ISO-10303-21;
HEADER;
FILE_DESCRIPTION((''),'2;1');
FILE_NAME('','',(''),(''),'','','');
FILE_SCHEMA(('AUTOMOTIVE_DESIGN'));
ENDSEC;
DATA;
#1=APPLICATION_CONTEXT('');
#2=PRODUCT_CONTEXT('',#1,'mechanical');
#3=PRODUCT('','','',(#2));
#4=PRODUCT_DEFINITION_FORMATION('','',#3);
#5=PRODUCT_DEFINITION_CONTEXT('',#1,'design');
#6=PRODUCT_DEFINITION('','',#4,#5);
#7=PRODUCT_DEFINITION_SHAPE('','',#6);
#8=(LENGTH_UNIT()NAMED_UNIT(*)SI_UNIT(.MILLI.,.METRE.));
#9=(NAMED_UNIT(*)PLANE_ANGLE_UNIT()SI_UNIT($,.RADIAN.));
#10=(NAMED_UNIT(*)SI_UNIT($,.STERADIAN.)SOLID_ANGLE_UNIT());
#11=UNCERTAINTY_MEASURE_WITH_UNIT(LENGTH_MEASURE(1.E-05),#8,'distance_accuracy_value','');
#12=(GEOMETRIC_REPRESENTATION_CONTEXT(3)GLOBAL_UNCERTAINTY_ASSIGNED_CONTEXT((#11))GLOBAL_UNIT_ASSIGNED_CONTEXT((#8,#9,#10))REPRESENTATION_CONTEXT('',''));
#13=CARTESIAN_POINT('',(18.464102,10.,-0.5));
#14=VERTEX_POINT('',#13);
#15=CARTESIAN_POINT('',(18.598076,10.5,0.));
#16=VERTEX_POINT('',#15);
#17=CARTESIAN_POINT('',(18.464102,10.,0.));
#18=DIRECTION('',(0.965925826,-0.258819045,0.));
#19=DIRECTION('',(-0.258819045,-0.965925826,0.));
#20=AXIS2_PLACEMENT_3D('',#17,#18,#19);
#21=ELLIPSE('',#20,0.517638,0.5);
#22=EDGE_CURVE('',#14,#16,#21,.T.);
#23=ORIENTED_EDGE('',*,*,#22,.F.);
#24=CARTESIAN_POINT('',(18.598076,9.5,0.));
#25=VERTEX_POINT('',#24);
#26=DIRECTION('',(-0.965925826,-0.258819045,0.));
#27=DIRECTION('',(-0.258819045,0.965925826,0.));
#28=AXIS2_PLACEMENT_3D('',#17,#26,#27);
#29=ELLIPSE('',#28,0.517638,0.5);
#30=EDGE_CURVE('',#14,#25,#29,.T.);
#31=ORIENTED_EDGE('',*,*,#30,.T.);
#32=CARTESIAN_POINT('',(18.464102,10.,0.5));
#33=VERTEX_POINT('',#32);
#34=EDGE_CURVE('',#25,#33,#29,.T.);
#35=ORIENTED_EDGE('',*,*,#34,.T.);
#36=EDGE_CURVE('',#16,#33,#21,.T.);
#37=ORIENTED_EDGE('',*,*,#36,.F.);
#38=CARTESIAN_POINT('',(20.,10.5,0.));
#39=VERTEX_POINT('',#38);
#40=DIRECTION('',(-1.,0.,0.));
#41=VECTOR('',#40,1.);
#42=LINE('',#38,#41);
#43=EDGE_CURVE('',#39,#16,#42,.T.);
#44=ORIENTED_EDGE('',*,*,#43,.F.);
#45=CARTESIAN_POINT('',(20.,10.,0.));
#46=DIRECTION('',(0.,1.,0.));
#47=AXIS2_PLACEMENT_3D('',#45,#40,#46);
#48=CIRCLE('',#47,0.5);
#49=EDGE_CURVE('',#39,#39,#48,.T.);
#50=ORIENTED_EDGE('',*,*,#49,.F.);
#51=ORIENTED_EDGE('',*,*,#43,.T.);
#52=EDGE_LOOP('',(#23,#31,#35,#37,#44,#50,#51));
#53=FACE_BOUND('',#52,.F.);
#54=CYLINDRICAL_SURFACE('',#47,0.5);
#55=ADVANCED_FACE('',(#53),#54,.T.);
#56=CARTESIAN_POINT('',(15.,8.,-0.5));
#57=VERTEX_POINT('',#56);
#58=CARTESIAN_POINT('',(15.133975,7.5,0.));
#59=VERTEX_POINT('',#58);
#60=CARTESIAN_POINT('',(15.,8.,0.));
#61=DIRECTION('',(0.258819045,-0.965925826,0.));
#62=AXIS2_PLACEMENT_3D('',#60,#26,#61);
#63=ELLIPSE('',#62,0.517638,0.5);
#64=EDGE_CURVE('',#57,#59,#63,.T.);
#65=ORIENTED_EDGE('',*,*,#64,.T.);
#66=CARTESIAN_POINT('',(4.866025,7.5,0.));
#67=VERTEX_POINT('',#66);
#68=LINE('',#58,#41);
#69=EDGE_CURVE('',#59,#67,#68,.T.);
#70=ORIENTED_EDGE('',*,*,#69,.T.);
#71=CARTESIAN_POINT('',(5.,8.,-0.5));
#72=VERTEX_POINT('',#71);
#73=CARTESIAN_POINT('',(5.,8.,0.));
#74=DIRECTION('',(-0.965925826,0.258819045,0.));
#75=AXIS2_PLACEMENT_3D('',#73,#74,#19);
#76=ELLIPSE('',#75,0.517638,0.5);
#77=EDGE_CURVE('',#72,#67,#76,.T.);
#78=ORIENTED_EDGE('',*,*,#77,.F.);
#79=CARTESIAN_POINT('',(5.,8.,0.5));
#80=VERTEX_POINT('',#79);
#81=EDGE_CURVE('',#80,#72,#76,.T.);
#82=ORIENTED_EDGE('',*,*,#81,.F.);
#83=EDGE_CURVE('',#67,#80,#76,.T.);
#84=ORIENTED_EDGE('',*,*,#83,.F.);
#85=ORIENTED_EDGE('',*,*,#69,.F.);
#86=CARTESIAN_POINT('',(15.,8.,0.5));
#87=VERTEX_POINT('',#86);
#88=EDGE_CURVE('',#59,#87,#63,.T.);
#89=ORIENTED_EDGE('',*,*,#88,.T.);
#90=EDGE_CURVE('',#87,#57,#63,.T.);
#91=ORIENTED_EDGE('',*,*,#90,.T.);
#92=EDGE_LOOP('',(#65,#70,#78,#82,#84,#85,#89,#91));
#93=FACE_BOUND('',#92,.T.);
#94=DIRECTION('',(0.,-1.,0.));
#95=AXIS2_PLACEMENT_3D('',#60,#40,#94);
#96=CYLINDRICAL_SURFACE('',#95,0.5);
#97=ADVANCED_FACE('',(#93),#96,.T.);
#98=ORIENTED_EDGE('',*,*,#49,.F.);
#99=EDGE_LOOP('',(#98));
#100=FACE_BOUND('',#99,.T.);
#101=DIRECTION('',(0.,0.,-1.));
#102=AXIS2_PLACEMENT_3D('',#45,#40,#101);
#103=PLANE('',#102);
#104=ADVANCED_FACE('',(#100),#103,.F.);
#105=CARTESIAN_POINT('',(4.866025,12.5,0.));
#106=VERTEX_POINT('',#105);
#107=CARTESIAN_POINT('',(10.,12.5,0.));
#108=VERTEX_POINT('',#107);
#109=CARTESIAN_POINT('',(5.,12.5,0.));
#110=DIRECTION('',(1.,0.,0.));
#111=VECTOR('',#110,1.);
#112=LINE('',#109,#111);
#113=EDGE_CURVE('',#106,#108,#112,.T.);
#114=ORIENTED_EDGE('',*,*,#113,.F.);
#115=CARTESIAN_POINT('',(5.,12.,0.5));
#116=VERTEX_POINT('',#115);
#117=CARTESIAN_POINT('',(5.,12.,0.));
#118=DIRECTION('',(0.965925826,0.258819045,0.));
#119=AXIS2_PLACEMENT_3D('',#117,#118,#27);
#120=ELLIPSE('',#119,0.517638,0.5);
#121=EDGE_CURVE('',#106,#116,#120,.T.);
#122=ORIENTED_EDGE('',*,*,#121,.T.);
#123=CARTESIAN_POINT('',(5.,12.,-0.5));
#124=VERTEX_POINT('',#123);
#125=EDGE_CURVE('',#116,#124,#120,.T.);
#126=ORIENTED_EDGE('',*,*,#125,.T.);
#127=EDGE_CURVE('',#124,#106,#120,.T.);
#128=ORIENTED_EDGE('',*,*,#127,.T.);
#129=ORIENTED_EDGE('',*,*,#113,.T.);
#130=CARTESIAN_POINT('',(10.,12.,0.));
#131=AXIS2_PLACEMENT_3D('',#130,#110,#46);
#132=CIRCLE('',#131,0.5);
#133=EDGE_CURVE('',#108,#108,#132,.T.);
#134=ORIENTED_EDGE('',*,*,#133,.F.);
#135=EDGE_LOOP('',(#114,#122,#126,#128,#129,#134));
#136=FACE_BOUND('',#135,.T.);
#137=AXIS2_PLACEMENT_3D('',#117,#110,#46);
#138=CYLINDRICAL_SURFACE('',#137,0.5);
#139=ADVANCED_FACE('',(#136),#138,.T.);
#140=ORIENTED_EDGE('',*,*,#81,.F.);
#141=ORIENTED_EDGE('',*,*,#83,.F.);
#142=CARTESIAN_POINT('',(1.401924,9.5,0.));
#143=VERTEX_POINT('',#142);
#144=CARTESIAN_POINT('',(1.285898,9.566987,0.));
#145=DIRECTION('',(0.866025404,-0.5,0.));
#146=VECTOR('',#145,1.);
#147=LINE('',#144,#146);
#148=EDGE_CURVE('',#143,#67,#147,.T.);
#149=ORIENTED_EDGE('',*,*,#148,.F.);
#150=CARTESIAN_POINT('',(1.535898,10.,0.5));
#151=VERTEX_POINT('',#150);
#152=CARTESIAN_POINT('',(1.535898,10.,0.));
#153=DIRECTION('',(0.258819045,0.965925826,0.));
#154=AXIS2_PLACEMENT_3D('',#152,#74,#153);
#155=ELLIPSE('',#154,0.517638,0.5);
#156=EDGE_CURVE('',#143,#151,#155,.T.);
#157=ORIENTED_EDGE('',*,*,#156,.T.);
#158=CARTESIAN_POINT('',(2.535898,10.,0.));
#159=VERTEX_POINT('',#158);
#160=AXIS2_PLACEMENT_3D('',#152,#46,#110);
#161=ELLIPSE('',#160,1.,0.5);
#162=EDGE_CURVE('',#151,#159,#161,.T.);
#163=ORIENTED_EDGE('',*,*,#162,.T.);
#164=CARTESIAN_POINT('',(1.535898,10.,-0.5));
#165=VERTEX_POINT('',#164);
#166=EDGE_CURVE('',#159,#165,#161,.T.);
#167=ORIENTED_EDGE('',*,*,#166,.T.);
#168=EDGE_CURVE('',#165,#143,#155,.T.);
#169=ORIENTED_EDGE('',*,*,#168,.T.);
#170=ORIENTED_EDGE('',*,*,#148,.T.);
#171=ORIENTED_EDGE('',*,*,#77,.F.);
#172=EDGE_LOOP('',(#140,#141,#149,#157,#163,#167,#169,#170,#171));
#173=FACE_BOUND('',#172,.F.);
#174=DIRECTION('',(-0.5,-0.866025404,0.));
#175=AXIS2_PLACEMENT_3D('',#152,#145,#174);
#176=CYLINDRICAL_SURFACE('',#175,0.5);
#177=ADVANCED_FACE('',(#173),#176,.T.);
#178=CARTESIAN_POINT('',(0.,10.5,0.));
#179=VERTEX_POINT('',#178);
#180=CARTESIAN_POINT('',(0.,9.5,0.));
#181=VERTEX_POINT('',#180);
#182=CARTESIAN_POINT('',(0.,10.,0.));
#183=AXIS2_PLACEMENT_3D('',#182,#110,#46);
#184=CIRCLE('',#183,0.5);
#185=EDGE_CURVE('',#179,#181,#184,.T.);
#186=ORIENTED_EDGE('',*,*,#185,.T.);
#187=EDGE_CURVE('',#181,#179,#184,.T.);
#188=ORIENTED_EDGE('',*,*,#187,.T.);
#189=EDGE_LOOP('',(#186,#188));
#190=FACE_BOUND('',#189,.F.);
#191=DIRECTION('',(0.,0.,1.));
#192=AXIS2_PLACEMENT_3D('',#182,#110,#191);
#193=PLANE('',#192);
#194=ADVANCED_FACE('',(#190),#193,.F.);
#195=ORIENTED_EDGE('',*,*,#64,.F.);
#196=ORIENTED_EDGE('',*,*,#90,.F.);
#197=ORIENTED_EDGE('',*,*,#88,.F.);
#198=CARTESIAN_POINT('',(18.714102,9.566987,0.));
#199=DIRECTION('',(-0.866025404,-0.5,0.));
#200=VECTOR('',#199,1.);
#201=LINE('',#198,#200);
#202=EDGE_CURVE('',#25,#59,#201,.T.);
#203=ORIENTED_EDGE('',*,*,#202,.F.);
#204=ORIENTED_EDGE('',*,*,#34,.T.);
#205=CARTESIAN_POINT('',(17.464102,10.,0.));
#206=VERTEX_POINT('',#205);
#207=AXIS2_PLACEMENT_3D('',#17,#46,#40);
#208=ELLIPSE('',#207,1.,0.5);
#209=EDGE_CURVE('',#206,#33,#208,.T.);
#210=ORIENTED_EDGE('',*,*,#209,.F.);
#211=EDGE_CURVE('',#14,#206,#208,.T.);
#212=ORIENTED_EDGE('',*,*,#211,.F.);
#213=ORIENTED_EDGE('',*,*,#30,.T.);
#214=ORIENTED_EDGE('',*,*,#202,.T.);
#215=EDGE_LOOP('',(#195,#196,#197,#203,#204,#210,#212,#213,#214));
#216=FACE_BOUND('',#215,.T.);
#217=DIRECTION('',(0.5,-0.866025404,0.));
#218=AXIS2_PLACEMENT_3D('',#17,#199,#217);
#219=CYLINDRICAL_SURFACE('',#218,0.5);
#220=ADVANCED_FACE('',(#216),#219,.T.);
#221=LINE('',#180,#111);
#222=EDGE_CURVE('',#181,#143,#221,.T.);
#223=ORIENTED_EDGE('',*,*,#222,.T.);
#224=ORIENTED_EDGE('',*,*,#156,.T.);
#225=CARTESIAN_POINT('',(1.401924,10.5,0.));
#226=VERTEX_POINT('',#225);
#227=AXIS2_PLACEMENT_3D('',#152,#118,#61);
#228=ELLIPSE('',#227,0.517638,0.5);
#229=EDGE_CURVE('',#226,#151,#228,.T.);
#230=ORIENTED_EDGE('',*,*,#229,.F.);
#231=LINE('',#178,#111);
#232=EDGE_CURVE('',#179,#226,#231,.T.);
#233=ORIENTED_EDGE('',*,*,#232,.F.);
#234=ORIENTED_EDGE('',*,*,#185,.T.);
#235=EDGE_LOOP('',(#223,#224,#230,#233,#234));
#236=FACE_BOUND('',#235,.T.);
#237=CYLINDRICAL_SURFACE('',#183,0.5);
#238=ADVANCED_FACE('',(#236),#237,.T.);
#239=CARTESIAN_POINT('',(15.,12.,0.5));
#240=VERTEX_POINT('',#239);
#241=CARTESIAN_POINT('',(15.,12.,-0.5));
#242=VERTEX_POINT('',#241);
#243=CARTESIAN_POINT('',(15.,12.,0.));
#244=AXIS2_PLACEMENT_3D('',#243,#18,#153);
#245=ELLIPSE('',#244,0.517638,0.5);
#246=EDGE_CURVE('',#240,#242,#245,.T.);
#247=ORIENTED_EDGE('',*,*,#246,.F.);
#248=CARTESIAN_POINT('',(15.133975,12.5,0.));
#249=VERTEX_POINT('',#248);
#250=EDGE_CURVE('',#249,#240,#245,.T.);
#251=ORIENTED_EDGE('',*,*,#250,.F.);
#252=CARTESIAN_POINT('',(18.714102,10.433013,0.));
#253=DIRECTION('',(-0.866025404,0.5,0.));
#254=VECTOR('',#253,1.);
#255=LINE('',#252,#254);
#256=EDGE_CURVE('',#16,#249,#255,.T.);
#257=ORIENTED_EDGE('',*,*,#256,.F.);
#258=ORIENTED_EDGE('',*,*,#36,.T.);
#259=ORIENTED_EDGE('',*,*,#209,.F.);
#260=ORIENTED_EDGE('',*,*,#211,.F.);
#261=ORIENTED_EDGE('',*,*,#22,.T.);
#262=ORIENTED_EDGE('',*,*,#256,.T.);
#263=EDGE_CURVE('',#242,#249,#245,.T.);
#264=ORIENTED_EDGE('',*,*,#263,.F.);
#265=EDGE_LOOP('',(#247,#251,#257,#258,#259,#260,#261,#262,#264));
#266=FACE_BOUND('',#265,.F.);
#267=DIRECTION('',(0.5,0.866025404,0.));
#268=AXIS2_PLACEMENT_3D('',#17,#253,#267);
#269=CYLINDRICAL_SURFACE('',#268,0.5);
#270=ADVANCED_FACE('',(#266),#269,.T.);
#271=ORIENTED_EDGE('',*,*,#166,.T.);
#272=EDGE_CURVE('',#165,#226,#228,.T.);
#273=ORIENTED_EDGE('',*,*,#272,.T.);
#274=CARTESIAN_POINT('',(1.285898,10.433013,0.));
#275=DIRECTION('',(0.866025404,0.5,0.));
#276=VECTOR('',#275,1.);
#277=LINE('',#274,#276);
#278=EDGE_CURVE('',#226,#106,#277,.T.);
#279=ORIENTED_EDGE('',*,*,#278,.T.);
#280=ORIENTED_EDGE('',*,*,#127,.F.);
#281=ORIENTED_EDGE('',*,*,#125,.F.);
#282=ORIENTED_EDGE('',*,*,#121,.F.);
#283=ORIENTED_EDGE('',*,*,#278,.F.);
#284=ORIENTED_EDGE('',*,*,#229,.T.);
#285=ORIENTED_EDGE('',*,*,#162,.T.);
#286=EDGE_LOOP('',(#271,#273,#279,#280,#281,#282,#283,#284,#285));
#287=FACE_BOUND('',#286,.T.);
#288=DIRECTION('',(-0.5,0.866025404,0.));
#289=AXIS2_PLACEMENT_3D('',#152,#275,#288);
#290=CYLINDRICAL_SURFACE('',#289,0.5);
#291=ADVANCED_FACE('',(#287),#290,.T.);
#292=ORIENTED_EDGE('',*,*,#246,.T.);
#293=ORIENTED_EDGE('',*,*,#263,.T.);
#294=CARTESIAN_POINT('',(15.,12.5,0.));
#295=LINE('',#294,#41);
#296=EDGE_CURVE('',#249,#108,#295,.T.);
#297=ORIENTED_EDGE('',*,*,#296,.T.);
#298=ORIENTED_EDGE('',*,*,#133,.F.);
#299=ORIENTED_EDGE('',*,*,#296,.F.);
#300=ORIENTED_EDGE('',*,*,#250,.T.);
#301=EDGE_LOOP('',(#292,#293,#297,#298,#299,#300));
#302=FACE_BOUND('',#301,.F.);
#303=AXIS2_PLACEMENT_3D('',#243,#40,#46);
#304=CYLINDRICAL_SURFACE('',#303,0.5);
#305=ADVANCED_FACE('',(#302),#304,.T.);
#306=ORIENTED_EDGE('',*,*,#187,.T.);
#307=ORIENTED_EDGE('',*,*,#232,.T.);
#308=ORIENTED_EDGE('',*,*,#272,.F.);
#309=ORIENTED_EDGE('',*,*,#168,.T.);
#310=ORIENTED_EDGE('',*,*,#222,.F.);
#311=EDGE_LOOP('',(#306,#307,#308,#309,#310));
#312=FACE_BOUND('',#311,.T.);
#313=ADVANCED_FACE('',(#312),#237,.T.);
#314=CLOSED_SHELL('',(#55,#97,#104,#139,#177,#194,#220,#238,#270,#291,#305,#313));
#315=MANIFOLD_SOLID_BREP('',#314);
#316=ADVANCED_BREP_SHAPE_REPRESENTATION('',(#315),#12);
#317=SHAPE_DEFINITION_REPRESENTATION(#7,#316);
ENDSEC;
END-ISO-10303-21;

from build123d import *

# Parameters (mm, degrees)
F1_R = 0.5


with BuildPart() as f2:
    # F2: sweep along a path in F0
    with BuildLine(Plane.XY) as f2_path:
        Line((0, 10), (1.5358983849, 10))
        Line((1.5358983849, 10), (5, 12))
        Line((5, 12), (10, 12))
    # F1 (on Right) → F2 (sweep)
    with BuildSketch(Plane.YZ):
        with Locations((10, 0)):
            Circle(F1_R)
    sweep(path=f2_path.line, transition=Transition.RIGHT)

    # F7: F2 across plane


with BuildPart() as f2_1:
    add(f2.part)
    add(f2.part.mirror(Plane.YZ.offset(10)))

    # F8: F2 across plane


with BuildPart() as f2_2:
    add(f2_1.part)
    add(f2_1.part.mirror(Plane.XZ.offset(-10)))


solid = f2_2.part
